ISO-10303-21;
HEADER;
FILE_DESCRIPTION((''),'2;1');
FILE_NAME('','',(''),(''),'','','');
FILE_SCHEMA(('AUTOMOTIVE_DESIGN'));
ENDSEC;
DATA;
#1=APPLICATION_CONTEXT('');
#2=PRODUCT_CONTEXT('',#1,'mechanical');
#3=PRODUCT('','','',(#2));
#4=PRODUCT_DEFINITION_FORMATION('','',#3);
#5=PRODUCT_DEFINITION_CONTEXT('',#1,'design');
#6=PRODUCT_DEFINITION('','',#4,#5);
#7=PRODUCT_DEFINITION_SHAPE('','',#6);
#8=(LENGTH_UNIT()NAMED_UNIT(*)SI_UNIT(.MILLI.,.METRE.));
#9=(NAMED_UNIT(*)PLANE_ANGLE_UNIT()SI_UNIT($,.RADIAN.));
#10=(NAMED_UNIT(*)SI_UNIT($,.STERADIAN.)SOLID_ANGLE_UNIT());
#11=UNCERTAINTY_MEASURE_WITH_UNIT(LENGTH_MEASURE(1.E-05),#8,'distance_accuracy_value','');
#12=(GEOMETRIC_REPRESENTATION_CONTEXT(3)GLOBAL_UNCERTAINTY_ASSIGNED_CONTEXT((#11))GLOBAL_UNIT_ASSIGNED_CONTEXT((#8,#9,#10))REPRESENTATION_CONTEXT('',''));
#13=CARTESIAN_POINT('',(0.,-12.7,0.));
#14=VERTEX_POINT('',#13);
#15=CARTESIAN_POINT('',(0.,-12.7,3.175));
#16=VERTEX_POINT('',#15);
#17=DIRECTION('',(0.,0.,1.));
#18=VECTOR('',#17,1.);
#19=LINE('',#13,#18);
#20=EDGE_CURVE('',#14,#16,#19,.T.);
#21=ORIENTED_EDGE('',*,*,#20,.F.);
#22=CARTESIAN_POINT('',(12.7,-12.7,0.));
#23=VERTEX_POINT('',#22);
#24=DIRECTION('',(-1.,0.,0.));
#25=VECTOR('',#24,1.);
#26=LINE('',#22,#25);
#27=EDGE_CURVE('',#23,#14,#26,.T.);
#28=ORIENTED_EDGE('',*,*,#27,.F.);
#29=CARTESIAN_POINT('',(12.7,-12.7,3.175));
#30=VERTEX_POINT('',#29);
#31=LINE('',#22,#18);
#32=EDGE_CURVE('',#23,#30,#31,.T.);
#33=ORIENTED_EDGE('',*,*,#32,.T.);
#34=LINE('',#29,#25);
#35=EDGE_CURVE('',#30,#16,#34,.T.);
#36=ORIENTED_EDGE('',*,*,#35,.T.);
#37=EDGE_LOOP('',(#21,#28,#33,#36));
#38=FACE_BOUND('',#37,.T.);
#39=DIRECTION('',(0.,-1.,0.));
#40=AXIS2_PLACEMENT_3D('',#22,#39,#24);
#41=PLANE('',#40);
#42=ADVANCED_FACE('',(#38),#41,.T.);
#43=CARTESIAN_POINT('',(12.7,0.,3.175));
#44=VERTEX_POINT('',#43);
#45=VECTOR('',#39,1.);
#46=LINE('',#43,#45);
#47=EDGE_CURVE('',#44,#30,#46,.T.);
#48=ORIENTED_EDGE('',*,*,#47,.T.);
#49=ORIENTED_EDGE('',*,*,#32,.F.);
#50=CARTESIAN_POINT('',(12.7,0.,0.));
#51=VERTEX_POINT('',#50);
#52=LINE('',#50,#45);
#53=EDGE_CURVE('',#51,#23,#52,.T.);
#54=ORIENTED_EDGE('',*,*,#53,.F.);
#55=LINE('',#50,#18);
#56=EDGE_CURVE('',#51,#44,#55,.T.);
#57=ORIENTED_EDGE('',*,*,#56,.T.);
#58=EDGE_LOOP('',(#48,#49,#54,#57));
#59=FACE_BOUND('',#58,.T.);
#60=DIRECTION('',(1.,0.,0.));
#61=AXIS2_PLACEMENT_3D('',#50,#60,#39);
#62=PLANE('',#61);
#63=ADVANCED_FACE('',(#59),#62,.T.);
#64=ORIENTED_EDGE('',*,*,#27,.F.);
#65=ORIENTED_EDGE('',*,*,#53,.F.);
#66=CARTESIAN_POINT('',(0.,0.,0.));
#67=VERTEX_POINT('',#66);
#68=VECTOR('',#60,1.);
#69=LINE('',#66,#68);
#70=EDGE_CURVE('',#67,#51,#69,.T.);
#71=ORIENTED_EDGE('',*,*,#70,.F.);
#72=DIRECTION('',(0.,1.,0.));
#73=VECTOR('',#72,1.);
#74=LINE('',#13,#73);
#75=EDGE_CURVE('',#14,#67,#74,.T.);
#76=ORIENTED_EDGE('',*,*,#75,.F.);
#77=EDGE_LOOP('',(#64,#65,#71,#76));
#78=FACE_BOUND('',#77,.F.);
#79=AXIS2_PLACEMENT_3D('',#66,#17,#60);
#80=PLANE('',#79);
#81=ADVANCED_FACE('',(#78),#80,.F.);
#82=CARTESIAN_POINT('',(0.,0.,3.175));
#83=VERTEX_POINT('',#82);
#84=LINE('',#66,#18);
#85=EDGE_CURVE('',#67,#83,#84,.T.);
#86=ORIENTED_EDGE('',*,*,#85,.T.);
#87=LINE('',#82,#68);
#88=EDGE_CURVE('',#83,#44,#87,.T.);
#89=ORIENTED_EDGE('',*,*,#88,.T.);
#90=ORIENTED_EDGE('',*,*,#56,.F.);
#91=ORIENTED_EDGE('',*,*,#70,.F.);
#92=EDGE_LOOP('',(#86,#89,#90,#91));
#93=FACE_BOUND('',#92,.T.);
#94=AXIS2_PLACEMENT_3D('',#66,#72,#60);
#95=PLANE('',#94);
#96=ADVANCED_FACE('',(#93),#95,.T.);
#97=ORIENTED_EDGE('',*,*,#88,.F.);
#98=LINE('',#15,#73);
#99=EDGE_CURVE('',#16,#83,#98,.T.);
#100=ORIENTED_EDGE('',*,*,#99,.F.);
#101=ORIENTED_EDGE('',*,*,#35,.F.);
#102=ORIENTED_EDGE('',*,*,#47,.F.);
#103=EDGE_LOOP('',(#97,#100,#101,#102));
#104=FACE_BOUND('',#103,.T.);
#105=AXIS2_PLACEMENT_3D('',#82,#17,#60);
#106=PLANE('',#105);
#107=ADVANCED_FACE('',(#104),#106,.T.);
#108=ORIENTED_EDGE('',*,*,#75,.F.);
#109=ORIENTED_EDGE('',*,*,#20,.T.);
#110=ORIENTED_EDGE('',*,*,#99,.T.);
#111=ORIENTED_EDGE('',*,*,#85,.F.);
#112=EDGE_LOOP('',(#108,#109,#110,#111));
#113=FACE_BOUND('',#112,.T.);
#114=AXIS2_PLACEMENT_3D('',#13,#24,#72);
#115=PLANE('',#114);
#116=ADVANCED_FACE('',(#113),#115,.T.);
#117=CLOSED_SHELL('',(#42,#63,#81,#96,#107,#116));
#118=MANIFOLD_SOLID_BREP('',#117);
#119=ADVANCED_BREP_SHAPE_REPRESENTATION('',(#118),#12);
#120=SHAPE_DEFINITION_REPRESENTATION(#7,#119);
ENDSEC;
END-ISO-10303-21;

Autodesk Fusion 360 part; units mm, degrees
sketch "Square" plane through (0, 0, 0) normal (0, 0, 1) x (1, 0, 0)
  line L0 (12.7, -12.7) -> (0, -12.7)
  line L1 (0, -12.7) -> (0, 0)
  line L2 (12.7, 0) -> (12.7, -12.7)
  line L3 (0, 0) -> (12.7, 0)
extrude "Extrude1" add sketch "Square" along normal blind 3.175
